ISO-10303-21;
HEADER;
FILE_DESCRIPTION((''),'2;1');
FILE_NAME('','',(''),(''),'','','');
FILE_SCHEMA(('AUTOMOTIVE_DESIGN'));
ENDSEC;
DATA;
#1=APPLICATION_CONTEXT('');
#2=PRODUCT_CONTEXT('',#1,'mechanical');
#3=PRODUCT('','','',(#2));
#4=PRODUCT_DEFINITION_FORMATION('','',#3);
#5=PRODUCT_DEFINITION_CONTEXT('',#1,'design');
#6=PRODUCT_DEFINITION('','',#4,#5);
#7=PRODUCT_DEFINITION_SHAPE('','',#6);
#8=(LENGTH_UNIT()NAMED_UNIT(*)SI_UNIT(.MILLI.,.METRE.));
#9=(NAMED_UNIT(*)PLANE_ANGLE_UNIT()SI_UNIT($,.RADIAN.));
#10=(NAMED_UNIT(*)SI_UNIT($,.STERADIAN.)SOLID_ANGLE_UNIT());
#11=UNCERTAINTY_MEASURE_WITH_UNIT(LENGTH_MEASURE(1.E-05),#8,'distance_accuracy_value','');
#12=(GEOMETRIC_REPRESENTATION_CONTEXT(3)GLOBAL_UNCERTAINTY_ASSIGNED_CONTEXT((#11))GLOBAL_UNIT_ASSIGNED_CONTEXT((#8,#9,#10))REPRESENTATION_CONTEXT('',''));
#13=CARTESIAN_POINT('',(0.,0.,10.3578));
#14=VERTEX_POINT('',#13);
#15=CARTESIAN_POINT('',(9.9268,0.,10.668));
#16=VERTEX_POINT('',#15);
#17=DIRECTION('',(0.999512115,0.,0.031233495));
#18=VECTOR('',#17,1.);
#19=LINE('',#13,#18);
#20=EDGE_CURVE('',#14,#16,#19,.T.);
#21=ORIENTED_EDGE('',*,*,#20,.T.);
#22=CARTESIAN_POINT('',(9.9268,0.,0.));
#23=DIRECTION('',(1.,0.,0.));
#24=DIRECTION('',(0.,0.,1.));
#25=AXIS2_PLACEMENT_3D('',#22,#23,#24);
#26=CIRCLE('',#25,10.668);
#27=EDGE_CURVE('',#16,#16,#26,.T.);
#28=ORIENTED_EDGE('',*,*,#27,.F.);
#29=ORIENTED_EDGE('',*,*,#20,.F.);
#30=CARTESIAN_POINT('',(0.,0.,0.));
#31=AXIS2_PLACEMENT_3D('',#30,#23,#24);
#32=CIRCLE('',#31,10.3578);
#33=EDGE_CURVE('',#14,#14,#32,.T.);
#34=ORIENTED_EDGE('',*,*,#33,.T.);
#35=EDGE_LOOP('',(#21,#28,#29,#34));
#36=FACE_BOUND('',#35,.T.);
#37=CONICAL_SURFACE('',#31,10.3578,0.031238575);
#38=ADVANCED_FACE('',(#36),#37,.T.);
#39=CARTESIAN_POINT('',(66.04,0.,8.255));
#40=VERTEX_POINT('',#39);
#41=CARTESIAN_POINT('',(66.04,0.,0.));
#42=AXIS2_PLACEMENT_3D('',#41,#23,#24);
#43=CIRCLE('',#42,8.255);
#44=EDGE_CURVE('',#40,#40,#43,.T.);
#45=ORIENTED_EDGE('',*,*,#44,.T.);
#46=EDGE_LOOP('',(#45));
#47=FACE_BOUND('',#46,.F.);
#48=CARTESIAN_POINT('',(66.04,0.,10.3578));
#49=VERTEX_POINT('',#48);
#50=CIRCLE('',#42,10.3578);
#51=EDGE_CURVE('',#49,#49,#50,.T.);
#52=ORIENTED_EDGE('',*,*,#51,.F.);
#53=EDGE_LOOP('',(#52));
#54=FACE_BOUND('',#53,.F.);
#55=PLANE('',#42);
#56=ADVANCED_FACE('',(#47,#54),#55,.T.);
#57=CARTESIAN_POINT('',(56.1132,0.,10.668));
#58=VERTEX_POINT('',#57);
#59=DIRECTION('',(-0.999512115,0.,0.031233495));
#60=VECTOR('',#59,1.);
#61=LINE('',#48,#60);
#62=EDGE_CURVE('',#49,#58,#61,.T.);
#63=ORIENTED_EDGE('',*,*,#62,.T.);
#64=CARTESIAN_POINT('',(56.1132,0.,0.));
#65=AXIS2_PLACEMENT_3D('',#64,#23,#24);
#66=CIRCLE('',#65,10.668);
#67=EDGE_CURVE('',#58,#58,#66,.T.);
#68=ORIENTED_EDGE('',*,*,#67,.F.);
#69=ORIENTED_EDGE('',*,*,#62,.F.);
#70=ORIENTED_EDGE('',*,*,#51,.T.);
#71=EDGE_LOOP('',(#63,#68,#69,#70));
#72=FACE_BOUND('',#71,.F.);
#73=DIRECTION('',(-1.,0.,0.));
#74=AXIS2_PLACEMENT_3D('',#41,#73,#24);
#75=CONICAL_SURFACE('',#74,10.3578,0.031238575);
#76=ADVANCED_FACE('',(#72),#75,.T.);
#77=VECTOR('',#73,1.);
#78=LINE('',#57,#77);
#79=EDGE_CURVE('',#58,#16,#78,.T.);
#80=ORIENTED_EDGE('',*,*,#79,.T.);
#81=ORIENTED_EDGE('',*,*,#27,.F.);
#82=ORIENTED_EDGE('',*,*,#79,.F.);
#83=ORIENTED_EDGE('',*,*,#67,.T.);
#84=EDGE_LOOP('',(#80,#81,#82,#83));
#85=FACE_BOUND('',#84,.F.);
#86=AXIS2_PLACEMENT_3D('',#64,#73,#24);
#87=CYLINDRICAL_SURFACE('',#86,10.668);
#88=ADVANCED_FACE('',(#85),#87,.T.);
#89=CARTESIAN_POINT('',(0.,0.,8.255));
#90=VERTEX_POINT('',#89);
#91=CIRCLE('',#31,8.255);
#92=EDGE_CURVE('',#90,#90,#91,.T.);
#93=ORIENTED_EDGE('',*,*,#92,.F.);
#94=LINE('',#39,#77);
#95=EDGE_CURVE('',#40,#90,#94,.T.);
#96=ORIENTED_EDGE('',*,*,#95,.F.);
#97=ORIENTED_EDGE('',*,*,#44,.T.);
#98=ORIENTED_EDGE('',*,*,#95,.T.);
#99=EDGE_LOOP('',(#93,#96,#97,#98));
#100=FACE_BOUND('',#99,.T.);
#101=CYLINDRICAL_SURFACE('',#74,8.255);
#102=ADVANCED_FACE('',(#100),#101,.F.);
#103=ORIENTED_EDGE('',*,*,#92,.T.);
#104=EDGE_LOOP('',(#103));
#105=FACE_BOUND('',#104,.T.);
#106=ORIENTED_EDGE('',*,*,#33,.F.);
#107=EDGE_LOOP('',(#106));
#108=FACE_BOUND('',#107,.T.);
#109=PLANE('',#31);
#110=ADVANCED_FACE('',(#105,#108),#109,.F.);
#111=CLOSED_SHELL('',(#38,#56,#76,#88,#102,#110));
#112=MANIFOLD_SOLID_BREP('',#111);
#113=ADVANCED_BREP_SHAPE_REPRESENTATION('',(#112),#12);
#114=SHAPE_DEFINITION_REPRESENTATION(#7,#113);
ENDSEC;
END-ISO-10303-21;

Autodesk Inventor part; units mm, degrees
ref_plane "YZ Plane" through (0, 0, 0) normal (1, 0, 0) x (0, 1, 0)
ref_plane "XZ Plane" through (0, 0, 0) normal (0, 1, 0) x (-1, 0, 0)
ref_plane "XY Plane" through (0, 0, 0) normal (0, 0, 1) x (1, 0, 0)
sketch "Sketch1" plane through (0, 0, 0) normal (0, 1, 0) x (-1, 0, 0)
  line L0 (0, 0) -> (-66.04, 0)
  line L1 (-66.04, 0) -> (-66.04, 8.255) construction
  line L2 (-66.04, 8.255) -> (-66.04, 10.3578)
  line L3 (-66.04, 10.3578) -> (-56.1132, 10.668)
  line L4 (-56.1132, 10.668) -> (-9.9268, 10.668)
  line L5 (-33.02, 0) -> (-33.02, 10.668) construction
  line L6 (-66.04, 8.255) -> (0, 8.255)
  line L7 (0, 0) -> (0, 8.255) construction
  line L8 (0, 8.255) -> (0, 10.3578)
  line L9 (0, 10.3578) -> (-9.9268, 10.668)
  line L10 (-52.484, 10.7814) -> (-52.484, 0) construction
  line L11 (-13.556, 10.7814) -> (-13.556, 0) construction
  line L12 (-56.1132, 10.668) -> (-52.484, 10.7814) construction
  line L13 (-56.1132, 10.668) -> (-56.1132, 0) construction
  line L14 (-9.9268, 10.668) -> (-13.556, 10.7814) construction
  line L15 (-9.9268, 10.668) -> (-9.9268, 0) construction
  dimension "d0" = 21.336
  dimension "d1" = 1.79
  dimension "d2" = 16.51
  dimension "d3" = 66.04
  dimension "d4" = 13.556
  dimension "d5" = 21.5628
revolve "Revolution1" add sketch "Sketch1" angle 360 about axis through (0, 0, 0) along (1, 0, 0)
thread "Thread1" size "1/2" designation "1/2 - 14 NPT" standard "NPT" full length
thread "Thread2" size "1/2" designation "1/2 - 14 NPT" standard "NPT" full length
equation "\"d0\" = OD"
equation "\"d2\" = ID"
equation "\"d3\" = L"
equation "\"d4\" = L2"
equation "\"d5\" = D2"
equation "\"OD\" = 21.336"
equation "\"t\" = 2.413"
equation "\"L\" = PL"
equation "\"L4\" = 19.8501"
equation "\"ID\" = 16.51"
equation "\"PL\" = 66.04"
equation "\"D2\" = 21.56282"
equation "\"L2\" = 13.55598"
equation "\"Size_Designation\" = 1.2345"
equation "\"PLmin\" = 2 * L2"
properties material "Steel, Wrought"
